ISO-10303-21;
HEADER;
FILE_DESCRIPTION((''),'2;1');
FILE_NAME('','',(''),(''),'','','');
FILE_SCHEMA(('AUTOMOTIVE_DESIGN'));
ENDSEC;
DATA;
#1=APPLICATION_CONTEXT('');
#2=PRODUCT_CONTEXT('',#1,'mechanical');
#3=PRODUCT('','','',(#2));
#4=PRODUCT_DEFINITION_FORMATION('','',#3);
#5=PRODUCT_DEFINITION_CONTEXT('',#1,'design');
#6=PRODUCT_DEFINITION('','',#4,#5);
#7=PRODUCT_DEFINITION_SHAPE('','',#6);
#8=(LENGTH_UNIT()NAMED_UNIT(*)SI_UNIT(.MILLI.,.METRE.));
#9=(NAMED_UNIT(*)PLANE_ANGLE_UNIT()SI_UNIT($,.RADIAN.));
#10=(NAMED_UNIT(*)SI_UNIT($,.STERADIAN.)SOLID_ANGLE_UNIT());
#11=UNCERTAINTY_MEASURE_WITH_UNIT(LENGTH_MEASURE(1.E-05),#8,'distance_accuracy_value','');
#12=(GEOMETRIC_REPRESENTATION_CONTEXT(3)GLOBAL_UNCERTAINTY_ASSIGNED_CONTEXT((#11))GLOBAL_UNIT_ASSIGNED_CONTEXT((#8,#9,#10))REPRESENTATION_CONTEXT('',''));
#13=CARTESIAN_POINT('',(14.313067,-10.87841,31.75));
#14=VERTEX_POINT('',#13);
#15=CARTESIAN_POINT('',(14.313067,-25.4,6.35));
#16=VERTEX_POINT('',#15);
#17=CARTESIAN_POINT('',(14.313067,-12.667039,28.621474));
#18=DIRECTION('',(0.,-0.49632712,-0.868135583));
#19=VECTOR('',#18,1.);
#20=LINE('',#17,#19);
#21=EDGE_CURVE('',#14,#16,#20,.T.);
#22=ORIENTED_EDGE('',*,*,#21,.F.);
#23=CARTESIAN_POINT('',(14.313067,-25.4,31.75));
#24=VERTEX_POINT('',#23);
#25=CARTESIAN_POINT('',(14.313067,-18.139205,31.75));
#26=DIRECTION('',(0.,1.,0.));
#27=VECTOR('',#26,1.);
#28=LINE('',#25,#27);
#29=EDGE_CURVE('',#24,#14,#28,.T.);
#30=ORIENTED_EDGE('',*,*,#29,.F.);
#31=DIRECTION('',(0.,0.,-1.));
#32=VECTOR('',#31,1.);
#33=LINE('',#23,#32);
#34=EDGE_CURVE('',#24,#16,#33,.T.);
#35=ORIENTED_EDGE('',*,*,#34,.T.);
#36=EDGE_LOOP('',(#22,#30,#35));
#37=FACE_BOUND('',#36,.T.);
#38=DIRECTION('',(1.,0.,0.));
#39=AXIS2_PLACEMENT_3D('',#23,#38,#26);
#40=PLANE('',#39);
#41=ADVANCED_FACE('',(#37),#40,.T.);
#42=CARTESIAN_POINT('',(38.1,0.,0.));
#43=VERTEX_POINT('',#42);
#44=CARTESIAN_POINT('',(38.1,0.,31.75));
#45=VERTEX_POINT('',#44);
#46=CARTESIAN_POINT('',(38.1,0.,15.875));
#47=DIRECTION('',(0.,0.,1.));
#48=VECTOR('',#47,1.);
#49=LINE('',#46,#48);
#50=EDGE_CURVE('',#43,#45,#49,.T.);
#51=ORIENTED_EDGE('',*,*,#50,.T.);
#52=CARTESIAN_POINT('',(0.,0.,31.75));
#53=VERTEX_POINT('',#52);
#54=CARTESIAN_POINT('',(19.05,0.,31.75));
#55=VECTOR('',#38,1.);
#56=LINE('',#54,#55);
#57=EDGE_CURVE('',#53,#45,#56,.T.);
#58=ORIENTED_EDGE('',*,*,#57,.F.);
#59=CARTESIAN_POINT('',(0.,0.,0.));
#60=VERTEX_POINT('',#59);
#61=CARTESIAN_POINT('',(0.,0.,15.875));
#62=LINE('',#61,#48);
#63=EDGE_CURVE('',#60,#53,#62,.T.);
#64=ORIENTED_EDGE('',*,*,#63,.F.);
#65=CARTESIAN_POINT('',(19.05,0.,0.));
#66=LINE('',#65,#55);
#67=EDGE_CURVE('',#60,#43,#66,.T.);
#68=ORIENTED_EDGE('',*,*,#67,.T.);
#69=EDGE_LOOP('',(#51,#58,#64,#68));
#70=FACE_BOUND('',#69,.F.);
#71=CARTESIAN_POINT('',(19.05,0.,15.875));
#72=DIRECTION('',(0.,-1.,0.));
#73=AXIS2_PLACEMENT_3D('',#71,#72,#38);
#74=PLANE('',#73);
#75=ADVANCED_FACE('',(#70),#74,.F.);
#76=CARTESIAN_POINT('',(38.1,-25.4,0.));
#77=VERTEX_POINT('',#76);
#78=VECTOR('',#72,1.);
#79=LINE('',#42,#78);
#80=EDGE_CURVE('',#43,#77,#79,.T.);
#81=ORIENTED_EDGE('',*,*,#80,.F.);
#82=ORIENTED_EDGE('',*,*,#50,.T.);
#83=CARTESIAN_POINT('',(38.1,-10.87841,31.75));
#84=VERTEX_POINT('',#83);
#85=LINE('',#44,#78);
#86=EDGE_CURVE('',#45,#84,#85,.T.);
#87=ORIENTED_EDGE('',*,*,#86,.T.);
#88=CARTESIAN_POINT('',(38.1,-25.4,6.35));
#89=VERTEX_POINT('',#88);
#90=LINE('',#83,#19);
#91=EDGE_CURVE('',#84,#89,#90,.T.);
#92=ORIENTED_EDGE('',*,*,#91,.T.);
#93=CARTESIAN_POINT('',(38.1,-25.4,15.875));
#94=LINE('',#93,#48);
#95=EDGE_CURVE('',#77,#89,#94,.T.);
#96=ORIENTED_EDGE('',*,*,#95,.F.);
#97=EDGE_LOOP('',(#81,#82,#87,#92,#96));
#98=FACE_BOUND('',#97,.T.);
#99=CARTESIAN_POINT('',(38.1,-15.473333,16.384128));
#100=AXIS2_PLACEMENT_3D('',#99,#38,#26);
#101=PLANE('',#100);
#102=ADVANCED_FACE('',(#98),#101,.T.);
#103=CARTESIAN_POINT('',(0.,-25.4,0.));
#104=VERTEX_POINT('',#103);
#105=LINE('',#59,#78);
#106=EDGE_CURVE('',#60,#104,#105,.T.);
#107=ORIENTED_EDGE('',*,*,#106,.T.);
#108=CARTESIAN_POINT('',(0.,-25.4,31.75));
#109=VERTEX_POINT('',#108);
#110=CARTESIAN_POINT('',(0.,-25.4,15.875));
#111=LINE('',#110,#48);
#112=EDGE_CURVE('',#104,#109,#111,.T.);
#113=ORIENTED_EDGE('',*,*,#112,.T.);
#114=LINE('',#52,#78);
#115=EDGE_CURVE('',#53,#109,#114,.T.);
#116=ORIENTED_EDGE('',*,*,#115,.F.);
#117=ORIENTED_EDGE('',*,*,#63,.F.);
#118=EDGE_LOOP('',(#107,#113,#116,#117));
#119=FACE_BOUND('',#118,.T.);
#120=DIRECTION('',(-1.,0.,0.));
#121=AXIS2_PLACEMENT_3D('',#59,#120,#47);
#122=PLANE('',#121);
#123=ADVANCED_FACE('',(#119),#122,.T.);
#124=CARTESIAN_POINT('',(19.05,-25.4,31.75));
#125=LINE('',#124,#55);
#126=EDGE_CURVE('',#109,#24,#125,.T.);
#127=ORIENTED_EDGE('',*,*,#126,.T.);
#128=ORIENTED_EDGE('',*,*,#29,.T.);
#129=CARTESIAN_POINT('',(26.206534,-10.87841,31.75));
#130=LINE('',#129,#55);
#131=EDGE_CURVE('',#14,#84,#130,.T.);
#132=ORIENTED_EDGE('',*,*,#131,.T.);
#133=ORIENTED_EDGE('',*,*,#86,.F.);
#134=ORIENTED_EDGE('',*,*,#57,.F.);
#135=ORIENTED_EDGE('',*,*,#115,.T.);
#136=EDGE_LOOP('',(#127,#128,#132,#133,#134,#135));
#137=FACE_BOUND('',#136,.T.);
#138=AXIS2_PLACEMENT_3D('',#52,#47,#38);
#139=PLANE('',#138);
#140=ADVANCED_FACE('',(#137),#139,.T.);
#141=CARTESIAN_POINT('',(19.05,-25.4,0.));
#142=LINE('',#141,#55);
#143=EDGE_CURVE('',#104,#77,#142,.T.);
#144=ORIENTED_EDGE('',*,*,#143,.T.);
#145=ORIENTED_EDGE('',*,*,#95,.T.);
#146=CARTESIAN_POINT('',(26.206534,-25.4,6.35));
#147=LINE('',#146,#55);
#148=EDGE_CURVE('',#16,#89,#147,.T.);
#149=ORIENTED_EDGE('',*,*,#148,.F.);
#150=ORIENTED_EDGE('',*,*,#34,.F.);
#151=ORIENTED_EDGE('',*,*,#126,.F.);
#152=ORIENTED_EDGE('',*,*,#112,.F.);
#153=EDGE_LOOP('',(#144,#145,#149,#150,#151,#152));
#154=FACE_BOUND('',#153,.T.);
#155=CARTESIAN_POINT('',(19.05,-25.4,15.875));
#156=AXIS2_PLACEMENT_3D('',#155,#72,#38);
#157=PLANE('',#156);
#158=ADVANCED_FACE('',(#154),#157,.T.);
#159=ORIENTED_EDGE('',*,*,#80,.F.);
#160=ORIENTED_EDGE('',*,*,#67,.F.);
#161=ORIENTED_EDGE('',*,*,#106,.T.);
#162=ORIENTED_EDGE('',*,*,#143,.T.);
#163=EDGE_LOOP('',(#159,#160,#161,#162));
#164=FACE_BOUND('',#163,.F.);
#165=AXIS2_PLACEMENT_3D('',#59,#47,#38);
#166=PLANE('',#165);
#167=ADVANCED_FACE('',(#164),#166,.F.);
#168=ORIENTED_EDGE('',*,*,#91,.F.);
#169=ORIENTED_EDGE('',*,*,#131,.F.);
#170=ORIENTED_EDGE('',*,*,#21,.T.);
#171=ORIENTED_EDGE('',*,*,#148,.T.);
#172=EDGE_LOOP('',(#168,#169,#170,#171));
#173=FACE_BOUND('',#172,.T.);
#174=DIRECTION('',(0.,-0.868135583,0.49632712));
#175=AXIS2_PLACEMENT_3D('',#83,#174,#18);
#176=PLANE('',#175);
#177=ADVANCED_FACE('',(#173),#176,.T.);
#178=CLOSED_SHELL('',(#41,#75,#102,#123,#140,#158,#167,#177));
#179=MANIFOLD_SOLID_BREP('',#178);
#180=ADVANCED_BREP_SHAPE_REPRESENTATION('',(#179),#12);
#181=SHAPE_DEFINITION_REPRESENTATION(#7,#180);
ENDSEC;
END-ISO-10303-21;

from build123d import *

# Parameters (mm, degrees)
F0_W     = 38.1
F0_H     = 31.75
F1_DEPTH = 25.4
F2_W     = 23.7869326904
F2_H     = 14.5215898097
F3_DEPTH = 25.4
F5_DEPTH = 25.4


with BuildPart() as f1:
    # F0 (on Front) → F1 (new body)
    with BuildSketch(Plane.XZ):
        with Locations((19.05, 15.875)):
            Rectangle(F0_W, F0_H)
    extrude(amount=F1_DEPTH)

    # F2 (on face) → F3 (cut)
    with BuildSketch(Plane.XY.offset(31.75)):
        with Locations((26.2065336548, -18.1392050952)):
            Rectangle(F2_W, F2_H)
    extrude(amount=-F3_DEPTH, mode=Mode.SUBTRACT)

    # F4 (on face) → F5 (join)
    with BuildSketch(Plane.YZ.offset(38.1)):
        Polygon((-10.8784101903, 31.75), (-25.4, 6.35), (-10.8784101903, 6.35), align=None)
    extrude(amount=-F5_DEPTH)


solid = f1.part
